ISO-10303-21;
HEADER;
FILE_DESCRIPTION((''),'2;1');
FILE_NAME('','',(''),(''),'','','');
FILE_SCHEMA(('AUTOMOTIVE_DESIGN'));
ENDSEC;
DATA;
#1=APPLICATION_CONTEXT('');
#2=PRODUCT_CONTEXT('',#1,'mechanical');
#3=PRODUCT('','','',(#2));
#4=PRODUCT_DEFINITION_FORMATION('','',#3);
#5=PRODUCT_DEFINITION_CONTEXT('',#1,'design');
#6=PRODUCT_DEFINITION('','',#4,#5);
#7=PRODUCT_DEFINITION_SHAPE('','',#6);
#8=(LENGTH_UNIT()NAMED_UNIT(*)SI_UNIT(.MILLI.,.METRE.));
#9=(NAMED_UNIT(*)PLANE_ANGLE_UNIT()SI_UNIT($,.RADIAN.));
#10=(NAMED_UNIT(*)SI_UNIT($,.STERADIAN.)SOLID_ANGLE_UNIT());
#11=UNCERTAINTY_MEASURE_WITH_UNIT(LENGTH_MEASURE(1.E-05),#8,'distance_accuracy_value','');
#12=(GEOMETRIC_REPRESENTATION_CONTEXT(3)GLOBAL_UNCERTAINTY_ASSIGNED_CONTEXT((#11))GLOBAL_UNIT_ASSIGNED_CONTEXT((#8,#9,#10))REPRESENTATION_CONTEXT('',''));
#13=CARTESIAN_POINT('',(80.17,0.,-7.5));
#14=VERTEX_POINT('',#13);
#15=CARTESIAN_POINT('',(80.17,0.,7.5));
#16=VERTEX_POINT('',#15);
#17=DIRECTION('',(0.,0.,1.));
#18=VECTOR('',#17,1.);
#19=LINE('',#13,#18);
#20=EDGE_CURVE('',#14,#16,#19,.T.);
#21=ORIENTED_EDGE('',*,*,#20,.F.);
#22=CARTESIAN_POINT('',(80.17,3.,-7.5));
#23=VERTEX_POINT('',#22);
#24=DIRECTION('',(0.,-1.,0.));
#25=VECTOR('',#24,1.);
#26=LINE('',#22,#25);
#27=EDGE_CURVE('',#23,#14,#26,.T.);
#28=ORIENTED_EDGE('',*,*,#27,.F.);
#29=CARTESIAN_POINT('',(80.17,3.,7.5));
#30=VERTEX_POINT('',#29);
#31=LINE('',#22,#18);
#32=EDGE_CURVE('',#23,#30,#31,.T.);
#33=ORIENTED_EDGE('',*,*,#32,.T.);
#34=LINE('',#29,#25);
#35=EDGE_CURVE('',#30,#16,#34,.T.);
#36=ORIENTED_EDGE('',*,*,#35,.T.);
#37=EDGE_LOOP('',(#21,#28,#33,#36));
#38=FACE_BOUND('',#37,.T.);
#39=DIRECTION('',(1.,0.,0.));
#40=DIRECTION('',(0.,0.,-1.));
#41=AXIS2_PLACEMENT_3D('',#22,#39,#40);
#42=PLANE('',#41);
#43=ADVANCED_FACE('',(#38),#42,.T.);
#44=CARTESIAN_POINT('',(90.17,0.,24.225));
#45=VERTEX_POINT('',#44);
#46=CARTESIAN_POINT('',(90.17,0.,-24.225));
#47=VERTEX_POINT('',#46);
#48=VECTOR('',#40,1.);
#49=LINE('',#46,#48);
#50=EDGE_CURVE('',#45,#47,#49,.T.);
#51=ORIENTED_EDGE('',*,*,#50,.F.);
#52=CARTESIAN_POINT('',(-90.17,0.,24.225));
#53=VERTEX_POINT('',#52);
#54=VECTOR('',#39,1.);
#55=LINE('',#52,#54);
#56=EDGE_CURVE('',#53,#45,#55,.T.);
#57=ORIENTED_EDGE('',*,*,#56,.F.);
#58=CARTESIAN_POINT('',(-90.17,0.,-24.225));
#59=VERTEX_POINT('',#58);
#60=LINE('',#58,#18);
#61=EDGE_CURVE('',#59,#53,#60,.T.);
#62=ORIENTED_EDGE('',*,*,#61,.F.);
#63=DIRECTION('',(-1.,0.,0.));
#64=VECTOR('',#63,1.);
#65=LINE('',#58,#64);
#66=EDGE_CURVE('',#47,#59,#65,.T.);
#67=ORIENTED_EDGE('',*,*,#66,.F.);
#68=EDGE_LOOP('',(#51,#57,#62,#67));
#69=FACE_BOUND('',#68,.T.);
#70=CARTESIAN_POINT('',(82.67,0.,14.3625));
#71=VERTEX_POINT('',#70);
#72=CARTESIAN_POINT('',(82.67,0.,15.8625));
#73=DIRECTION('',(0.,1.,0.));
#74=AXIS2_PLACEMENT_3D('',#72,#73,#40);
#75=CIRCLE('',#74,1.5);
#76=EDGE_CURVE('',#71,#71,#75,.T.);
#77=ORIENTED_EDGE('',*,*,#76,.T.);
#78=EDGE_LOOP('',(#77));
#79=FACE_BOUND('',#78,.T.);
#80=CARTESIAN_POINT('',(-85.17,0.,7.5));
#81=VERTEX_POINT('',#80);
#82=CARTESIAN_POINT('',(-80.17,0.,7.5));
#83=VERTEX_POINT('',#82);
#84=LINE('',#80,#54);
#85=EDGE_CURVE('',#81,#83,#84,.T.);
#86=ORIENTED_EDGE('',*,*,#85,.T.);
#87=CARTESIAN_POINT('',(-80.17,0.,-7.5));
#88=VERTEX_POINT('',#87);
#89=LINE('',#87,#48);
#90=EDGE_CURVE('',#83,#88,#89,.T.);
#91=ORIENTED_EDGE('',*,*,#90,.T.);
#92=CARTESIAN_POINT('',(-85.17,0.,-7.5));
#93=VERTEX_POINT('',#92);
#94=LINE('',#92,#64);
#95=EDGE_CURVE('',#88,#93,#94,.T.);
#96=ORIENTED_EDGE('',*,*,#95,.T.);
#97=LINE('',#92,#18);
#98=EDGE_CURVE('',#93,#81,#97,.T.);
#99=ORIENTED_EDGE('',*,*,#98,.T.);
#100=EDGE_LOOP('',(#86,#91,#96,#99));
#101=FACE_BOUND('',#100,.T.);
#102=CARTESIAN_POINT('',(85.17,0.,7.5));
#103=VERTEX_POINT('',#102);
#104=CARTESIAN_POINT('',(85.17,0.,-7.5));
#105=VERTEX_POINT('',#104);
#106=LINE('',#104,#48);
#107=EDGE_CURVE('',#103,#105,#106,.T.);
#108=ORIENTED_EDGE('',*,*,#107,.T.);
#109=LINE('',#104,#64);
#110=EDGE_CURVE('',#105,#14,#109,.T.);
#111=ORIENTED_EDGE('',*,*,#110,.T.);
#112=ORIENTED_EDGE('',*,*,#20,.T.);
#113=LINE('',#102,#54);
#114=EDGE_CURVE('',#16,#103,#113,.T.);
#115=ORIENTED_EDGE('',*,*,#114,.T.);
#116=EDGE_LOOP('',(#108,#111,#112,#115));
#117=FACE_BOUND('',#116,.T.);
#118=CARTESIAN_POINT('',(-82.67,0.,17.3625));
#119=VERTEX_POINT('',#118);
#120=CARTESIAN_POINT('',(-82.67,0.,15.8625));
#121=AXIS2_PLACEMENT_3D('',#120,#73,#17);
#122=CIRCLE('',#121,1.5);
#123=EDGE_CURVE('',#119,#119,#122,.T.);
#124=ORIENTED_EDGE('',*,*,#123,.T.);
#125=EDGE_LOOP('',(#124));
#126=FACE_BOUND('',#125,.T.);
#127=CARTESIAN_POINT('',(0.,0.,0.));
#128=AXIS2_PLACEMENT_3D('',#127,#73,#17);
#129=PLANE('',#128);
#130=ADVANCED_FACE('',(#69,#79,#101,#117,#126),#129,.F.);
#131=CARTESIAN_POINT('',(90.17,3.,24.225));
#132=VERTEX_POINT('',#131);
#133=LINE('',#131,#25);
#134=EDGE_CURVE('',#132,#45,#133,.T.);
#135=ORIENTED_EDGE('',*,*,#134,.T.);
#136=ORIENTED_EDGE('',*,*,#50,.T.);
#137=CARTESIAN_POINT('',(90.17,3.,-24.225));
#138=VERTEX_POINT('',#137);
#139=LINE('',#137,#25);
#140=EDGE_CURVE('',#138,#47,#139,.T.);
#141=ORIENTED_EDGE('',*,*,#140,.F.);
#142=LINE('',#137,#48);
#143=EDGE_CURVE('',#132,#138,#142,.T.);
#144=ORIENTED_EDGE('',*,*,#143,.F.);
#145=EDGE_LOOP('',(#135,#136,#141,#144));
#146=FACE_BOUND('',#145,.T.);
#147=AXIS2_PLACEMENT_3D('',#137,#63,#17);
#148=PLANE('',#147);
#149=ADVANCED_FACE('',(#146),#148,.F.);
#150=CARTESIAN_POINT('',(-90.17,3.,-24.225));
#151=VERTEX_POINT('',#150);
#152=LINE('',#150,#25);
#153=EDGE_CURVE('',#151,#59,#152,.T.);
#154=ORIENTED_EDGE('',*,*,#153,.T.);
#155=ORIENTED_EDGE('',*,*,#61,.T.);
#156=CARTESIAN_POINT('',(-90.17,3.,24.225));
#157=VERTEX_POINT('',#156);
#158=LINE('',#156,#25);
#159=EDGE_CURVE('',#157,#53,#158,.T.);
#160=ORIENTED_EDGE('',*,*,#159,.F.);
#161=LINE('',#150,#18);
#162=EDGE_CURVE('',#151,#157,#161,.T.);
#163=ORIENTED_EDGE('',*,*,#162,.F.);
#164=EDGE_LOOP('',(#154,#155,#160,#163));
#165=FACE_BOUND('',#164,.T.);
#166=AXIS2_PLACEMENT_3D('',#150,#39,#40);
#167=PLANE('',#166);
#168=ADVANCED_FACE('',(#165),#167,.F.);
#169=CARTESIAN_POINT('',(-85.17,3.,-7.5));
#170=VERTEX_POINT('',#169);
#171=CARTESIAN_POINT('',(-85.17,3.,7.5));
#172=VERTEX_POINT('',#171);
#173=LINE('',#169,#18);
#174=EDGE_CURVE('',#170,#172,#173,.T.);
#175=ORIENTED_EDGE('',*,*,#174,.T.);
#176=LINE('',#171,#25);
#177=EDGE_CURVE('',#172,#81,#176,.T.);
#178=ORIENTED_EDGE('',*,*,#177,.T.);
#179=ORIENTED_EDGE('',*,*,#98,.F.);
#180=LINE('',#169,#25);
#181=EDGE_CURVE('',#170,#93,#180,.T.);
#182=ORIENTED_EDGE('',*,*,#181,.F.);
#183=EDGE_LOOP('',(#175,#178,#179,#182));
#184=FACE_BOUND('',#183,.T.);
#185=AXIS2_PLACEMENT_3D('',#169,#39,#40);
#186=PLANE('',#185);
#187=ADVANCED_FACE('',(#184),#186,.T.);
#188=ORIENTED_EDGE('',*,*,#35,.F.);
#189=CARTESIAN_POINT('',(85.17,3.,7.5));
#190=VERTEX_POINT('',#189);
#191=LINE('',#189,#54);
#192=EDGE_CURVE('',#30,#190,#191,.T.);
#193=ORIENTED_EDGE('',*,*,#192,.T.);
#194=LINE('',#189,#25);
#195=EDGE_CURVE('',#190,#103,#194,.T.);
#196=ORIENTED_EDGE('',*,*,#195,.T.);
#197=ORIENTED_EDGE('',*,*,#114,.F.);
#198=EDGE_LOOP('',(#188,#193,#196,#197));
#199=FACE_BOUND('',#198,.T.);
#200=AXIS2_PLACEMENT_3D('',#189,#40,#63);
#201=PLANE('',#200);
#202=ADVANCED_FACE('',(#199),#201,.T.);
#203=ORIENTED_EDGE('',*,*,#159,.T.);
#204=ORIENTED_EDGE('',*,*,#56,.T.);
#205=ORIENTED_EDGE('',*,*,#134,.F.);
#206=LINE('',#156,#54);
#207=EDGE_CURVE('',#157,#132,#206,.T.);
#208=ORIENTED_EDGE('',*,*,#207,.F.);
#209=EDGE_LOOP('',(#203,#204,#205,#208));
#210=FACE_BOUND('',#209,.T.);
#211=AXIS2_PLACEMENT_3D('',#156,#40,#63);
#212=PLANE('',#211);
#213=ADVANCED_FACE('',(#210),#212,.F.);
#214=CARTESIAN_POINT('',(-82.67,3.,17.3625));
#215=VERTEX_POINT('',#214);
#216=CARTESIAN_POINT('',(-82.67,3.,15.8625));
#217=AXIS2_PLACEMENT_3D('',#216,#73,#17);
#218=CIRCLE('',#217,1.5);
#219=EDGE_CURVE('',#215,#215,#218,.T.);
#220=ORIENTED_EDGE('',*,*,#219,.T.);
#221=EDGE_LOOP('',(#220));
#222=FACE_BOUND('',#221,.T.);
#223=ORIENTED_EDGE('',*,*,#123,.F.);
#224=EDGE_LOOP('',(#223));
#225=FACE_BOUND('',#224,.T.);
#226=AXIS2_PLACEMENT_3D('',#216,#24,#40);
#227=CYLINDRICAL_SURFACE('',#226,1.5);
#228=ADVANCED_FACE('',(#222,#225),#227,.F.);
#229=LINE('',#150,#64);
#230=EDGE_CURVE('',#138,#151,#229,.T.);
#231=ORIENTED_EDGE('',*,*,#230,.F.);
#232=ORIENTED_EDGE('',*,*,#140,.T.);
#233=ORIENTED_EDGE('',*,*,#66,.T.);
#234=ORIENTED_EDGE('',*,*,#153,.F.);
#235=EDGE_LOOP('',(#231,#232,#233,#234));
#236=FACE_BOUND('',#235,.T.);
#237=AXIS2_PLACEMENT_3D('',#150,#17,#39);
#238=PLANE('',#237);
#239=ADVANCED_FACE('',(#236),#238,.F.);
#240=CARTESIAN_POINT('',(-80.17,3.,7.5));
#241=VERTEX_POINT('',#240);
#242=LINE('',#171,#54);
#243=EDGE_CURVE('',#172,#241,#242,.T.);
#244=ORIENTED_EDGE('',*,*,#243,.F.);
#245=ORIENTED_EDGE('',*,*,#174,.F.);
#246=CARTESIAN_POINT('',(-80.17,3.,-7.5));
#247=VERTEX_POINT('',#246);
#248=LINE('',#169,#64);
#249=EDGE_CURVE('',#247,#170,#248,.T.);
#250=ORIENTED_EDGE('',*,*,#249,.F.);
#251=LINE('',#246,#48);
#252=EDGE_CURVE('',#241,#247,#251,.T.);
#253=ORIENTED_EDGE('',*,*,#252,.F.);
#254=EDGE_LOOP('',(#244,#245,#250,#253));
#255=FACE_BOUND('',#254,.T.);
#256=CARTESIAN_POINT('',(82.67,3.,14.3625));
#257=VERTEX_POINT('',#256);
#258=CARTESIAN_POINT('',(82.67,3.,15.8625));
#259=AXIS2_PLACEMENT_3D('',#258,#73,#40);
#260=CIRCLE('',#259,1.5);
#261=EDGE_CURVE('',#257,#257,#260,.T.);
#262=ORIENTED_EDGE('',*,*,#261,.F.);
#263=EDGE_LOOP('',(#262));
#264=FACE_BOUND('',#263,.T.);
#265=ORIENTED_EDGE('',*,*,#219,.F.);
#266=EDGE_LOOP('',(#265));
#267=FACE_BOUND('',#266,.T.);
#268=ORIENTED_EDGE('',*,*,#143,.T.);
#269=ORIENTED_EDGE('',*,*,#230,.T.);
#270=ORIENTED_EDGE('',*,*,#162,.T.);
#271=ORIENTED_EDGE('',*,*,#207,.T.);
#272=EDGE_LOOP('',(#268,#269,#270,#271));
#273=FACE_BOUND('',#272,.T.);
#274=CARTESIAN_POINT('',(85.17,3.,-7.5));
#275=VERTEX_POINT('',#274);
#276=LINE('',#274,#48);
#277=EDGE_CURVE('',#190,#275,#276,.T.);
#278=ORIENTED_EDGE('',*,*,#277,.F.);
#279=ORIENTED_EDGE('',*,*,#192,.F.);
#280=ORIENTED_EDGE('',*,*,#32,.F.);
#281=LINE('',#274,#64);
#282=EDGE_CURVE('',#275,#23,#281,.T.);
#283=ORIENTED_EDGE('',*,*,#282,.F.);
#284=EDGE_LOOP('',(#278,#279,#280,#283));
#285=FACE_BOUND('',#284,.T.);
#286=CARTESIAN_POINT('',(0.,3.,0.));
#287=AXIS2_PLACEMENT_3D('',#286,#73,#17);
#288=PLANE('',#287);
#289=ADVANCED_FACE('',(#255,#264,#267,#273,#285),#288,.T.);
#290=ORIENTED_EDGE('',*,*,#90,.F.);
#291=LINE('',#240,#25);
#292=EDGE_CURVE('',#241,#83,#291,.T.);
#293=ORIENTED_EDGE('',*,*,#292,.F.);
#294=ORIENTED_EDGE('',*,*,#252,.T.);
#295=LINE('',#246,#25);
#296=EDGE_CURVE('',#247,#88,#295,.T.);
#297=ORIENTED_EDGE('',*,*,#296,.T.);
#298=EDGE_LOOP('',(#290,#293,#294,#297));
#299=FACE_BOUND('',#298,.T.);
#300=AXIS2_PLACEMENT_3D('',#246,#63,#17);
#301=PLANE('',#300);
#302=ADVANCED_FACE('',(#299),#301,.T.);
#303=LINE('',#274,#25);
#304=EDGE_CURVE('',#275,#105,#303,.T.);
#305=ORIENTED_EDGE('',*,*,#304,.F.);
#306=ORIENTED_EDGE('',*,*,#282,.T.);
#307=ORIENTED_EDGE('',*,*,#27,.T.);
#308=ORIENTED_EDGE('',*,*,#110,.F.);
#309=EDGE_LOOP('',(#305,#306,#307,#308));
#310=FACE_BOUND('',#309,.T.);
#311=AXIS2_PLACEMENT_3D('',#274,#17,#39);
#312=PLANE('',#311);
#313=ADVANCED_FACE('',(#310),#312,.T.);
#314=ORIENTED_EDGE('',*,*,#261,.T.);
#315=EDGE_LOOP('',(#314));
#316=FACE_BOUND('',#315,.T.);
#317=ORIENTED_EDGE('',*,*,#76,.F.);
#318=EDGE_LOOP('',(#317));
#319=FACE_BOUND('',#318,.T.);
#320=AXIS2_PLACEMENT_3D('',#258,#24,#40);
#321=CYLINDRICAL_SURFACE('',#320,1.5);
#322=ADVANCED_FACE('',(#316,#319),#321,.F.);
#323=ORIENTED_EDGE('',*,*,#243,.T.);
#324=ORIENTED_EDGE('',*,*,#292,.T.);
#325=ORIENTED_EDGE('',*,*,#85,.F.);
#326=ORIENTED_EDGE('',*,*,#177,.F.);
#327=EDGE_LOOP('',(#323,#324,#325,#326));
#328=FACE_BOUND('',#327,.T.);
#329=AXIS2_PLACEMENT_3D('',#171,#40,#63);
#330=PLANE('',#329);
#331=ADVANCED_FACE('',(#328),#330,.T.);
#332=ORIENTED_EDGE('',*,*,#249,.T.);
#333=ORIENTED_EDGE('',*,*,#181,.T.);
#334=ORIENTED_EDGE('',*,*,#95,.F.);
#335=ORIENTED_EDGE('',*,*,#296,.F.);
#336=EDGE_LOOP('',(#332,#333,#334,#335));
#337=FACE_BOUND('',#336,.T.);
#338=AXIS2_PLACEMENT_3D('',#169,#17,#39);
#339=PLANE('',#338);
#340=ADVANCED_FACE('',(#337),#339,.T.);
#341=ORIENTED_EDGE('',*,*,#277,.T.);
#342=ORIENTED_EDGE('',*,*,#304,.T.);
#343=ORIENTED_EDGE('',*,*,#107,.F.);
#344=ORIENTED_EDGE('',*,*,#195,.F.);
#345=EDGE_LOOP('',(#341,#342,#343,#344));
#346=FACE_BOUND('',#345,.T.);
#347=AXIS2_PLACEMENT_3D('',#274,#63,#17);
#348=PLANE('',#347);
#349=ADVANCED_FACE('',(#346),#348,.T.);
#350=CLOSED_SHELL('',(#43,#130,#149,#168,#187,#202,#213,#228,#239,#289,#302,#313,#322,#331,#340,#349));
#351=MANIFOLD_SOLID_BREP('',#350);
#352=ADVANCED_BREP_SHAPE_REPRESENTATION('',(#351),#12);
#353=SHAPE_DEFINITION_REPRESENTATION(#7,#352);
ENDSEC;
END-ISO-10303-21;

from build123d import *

# Parameters (mm, degrees)
SCHIZZO1_W                   = 180.34
SCHIZZO1_H                   = 48.45
ESTRUSIONE_ESTRUSIONE1_DEPTH = 3
SCHIZZO2_R                   = 1.5
SCHIZZO2_W                   = 5
SCHIZZO2_H                   = 15
TAGLIO_ESTRUSIONE1_DEPTH     = 4


with BuildPart() as part:
    # Schizzo1 → Estrusione-Estrusione1 (new body)
    with BuildSketch(Plane(origin=(0, 0, 0), x_dir=(1, 0, 0), z_dir=(0, 1, 0))):
        Rectangle(SCHIZZO1_W, SCHIZZO1_H)
    extrude(amount=ESTRUSIONE_ESTRUSIONE1_DEPTH)

    # Schizzo2 → Taglio-Estrusione1 (cut, through all)
    with BuildSketch(Plane(origin=(0, 0, 0), x_dir=(1, 0, 0), z_dir=(0, 1, 0))):
        with Locations((-82.67, -15.8625)):
            Circle(SCHIZZO2_R)
        with Locations((82.67, -15.8625)):
            Circle(SCHIZZO2_R)
        with Locations((-82.67, 0)):
            Rectangle(SCHIZZO2_W, SCHIZZO2_H)
        with Locations((82.67, 0)):
            Rectangle(SCHIZZO2_W, SCHIZZO2_H)
    extrude(amount=TAGLIO_ESTRUSIONE1_DEPTH, mode=Mode.SUBTRACT)


solid = part.part
